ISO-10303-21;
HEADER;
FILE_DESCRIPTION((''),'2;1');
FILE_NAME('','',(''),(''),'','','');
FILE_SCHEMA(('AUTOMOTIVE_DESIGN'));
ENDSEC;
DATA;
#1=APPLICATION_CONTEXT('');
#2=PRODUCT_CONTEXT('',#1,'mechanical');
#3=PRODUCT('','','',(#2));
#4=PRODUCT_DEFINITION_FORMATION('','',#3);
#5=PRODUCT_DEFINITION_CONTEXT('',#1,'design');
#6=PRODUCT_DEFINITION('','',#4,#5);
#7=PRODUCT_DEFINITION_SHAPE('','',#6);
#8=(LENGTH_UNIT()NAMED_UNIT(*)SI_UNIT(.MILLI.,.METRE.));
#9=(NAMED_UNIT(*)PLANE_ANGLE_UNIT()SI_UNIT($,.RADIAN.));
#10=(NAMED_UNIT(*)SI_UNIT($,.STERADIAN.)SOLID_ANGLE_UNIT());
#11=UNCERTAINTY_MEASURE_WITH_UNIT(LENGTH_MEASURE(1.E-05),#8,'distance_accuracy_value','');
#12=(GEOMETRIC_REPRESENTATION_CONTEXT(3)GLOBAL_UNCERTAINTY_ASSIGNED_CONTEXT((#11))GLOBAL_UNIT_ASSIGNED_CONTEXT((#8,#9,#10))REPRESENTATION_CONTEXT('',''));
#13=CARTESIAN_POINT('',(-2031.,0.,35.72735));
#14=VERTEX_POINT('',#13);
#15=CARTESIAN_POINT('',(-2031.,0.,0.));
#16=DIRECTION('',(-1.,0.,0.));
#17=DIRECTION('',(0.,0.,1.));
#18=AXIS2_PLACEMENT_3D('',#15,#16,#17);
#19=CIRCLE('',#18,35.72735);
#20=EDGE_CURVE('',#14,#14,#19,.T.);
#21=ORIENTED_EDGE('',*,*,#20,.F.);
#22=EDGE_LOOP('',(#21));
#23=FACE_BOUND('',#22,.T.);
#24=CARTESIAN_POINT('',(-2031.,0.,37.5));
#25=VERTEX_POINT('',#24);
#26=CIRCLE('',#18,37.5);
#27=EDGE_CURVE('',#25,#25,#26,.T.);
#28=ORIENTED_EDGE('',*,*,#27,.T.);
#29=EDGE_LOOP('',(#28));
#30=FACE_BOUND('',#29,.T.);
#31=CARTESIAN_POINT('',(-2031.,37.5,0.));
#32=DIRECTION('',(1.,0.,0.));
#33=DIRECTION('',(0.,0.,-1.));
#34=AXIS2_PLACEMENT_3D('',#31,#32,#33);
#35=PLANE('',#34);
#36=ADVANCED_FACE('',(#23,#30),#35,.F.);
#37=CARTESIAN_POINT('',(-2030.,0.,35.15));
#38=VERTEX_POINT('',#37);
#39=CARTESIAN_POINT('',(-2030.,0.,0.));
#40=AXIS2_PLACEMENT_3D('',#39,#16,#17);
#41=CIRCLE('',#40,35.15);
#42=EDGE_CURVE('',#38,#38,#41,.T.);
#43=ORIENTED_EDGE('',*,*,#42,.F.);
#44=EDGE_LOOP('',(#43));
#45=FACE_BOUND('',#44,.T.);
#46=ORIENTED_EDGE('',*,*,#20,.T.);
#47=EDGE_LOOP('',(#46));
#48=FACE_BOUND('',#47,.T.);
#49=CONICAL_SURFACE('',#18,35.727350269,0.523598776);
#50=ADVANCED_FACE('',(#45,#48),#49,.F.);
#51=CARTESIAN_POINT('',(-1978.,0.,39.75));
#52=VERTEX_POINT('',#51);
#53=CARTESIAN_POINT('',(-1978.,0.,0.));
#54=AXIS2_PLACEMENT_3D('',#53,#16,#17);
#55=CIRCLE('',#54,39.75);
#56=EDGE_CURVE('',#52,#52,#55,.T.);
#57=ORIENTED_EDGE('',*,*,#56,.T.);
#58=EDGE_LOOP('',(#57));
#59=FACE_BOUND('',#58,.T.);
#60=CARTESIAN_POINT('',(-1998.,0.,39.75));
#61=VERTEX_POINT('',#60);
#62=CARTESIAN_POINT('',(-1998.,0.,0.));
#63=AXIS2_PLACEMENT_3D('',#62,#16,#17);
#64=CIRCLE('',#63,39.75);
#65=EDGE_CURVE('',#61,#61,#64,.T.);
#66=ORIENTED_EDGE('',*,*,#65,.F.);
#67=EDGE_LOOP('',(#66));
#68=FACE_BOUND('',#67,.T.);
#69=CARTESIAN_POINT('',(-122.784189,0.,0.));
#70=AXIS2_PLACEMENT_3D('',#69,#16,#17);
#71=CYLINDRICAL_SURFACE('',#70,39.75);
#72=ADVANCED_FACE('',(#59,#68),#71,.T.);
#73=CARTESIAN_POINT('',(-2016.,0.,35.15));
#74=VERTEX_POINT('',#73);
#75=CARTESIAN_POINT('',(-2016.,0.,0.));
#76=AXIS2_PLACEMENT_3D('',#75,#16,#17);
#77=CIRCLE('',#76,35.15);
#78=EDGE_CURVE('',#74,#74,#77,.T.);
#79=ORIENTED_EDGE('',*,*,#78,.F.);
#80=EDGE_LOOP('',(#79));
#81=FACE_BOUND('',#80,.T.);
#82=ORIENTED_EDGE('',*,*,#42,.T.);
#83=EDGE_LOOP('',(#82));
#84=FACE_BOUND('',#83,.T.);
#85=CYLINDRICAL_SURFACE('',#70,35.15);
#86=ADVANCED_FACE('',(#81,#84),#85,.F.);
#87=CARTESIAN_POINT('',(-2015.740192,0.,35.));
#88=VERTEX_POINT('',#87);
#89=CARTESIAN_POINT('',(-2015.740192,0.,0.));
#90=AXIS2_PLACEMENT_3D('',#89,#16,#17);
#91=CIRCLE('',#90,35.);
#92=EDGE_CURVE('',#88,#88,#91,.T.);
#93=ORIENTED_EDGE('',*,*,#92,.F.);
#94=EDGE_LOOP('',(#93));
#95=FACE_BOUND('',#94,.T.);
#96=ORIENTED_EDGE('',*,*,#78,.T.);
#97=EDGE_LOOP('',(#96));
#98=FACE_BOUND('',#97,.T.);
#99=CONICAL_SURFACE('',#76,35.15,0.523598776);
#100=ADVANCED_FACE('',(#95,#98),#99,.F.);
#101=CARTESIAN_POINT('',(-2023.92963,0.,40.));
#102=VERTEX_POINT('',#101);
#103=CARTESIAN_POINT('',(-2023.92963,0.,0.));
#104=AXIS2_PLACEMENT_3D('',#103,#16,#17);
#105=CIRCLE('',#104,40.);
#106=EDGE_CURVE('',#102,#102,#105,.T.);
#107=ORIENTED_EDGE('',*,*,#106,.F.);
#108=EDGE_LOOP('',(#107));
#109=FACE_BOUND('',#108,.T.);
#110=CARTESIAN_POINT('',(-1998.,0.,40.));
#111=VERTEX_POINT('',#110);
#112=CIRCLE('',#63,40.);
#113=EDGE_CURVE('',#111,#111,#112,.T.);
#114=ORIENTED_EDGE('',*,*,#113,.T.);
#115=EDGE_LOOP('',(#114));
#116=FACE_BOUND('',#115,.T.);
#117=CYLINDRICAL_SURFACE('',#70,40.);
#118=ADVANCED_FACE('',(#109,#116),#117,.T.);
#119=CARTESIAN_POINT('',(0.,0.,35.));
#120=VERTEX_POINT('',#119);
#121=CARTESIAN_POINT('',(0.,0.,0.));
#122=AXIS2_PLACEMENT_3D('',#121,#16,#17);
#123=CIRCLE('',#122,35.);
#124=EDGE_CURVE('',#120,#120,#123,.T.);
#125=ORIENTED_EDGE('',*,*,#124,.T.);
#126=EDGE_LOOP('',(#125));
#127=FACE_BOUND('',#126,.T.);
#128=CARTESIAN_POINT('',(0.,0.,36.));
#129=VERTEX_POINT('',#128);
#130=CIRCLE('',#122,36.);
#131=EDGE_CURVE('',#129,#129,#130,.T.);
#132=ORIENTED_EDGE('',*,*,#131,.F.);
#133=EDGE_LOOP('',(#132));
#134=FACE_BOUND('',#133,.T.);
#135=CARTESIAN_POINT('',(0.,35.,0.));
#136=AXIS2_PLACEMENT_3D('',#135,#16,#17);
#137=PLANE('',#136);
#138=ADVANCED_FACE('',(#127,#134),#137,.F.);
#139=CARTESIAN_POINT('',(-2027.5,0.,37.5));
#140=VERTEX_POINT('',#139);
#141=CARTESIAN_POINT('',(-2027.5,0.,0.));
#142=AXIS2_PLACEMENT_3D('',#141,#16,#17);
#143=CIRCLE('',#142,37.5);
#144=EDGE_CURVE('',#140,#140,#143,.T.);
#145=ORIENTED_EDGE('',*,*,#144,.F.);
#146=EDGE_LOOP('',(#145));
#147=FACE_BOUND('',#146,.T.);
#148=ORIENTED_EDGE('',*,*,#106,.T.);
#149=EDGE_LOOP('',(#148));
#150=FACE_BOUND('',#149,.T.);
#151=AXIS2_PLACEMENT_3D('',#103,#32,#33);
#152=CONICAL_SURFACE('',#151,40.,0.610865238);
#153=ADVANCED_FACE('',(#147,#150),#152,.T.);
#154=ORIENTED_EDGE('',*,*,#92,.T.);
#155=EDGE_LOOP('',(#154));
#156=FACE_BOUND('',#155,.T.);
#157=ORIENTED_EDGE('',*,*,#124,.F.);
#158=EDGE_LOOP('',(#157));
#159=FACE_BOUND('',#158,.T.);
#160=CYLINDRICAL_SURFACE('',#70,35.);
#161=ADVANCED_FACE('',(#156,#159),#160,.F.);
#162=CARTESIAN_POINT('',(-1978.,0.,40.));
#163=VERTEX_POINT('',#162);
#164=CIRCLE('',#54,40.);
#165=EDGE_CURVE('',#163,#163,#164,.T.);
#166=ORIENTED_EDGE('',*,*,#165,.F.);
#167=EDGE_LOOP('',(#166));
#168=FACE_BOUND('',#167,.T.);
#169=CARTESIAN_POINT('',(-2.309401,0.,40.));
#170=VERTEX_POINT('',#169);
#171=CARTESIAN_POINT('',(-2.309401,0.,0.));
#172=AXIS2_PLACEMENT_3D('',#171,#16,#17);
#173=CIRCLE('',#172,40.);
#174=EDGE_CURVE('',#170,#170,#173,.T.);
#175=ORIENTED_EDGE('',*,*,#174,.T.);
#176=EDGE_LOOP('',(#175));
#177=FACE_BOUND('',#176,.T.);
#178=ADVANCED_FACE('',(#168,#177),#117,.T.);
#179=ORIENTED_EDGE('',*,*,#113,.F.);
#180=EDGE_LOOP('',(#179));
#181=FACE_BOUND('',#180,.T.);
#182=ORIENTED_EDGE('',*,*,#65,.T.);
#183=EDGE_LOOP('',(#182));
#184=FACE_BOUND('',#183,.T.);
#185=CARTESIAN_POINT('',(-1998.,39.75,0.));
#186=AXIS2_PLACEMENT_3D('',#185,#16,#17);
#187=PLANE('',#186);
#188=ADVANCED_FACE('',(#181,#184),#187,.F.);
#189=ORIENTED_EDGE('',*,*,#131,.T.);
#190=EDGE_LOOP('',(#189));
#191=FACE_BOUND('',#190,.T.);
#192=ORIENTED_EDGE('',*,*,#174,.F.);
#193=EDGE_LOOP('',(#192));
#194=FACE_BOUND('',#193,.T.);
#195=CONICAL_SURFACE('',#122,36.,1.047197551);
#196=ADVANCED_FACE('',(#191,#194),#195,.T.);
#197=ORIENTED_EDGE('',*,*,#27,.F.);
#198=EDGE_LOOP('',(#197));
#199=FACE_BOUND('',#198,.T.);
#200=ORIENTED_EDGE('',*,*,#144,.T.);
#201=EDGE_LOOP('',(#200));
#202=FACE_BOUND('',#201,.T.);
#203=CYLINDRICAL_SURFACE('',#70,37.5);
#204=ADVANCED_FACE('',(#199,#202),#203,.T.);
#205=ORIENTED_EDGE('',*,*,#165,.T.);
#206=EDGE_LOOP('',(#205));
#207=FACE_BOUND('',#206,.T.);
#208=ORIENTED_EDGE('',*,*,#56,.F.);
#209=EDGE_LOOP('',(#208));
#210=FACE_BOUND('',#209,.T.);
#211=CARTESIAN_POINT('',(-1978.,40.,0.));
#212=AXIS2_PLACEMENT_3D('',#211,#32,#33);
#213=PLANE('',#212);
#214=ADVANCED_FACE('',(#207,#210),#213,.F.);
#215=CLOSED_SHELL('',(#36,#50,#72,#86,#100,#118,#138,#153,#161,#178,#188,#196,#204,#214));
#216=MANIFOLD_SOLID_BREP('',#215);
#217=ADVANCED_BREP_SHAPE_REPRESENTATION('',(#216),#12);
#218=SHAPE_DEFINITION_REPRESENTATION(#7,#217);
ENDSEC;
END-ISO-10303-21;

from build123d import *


with BuildPart() as part:
    # Sketch1 → Base-Revolve (revolve)
    with BuildSketch(Plane.XY):
        Polygon((0, 35), (0, 36), (-2.309401077, 40), (-1978, 40), (-1978, 39.75), (-1998, 39.75), (-1998, 40), (-2023.929629983, 40), (-2027.5, 37.5), (-2031, 37.5), (-2031, 35.727350269), (-2030, 35.15), (-2016, 35.15), (-2015.740192379, 35), align=None)
    revolve(axis=Axis((-122.784188742, 0, 0), (1, 0, 0)))


solid = part.part
